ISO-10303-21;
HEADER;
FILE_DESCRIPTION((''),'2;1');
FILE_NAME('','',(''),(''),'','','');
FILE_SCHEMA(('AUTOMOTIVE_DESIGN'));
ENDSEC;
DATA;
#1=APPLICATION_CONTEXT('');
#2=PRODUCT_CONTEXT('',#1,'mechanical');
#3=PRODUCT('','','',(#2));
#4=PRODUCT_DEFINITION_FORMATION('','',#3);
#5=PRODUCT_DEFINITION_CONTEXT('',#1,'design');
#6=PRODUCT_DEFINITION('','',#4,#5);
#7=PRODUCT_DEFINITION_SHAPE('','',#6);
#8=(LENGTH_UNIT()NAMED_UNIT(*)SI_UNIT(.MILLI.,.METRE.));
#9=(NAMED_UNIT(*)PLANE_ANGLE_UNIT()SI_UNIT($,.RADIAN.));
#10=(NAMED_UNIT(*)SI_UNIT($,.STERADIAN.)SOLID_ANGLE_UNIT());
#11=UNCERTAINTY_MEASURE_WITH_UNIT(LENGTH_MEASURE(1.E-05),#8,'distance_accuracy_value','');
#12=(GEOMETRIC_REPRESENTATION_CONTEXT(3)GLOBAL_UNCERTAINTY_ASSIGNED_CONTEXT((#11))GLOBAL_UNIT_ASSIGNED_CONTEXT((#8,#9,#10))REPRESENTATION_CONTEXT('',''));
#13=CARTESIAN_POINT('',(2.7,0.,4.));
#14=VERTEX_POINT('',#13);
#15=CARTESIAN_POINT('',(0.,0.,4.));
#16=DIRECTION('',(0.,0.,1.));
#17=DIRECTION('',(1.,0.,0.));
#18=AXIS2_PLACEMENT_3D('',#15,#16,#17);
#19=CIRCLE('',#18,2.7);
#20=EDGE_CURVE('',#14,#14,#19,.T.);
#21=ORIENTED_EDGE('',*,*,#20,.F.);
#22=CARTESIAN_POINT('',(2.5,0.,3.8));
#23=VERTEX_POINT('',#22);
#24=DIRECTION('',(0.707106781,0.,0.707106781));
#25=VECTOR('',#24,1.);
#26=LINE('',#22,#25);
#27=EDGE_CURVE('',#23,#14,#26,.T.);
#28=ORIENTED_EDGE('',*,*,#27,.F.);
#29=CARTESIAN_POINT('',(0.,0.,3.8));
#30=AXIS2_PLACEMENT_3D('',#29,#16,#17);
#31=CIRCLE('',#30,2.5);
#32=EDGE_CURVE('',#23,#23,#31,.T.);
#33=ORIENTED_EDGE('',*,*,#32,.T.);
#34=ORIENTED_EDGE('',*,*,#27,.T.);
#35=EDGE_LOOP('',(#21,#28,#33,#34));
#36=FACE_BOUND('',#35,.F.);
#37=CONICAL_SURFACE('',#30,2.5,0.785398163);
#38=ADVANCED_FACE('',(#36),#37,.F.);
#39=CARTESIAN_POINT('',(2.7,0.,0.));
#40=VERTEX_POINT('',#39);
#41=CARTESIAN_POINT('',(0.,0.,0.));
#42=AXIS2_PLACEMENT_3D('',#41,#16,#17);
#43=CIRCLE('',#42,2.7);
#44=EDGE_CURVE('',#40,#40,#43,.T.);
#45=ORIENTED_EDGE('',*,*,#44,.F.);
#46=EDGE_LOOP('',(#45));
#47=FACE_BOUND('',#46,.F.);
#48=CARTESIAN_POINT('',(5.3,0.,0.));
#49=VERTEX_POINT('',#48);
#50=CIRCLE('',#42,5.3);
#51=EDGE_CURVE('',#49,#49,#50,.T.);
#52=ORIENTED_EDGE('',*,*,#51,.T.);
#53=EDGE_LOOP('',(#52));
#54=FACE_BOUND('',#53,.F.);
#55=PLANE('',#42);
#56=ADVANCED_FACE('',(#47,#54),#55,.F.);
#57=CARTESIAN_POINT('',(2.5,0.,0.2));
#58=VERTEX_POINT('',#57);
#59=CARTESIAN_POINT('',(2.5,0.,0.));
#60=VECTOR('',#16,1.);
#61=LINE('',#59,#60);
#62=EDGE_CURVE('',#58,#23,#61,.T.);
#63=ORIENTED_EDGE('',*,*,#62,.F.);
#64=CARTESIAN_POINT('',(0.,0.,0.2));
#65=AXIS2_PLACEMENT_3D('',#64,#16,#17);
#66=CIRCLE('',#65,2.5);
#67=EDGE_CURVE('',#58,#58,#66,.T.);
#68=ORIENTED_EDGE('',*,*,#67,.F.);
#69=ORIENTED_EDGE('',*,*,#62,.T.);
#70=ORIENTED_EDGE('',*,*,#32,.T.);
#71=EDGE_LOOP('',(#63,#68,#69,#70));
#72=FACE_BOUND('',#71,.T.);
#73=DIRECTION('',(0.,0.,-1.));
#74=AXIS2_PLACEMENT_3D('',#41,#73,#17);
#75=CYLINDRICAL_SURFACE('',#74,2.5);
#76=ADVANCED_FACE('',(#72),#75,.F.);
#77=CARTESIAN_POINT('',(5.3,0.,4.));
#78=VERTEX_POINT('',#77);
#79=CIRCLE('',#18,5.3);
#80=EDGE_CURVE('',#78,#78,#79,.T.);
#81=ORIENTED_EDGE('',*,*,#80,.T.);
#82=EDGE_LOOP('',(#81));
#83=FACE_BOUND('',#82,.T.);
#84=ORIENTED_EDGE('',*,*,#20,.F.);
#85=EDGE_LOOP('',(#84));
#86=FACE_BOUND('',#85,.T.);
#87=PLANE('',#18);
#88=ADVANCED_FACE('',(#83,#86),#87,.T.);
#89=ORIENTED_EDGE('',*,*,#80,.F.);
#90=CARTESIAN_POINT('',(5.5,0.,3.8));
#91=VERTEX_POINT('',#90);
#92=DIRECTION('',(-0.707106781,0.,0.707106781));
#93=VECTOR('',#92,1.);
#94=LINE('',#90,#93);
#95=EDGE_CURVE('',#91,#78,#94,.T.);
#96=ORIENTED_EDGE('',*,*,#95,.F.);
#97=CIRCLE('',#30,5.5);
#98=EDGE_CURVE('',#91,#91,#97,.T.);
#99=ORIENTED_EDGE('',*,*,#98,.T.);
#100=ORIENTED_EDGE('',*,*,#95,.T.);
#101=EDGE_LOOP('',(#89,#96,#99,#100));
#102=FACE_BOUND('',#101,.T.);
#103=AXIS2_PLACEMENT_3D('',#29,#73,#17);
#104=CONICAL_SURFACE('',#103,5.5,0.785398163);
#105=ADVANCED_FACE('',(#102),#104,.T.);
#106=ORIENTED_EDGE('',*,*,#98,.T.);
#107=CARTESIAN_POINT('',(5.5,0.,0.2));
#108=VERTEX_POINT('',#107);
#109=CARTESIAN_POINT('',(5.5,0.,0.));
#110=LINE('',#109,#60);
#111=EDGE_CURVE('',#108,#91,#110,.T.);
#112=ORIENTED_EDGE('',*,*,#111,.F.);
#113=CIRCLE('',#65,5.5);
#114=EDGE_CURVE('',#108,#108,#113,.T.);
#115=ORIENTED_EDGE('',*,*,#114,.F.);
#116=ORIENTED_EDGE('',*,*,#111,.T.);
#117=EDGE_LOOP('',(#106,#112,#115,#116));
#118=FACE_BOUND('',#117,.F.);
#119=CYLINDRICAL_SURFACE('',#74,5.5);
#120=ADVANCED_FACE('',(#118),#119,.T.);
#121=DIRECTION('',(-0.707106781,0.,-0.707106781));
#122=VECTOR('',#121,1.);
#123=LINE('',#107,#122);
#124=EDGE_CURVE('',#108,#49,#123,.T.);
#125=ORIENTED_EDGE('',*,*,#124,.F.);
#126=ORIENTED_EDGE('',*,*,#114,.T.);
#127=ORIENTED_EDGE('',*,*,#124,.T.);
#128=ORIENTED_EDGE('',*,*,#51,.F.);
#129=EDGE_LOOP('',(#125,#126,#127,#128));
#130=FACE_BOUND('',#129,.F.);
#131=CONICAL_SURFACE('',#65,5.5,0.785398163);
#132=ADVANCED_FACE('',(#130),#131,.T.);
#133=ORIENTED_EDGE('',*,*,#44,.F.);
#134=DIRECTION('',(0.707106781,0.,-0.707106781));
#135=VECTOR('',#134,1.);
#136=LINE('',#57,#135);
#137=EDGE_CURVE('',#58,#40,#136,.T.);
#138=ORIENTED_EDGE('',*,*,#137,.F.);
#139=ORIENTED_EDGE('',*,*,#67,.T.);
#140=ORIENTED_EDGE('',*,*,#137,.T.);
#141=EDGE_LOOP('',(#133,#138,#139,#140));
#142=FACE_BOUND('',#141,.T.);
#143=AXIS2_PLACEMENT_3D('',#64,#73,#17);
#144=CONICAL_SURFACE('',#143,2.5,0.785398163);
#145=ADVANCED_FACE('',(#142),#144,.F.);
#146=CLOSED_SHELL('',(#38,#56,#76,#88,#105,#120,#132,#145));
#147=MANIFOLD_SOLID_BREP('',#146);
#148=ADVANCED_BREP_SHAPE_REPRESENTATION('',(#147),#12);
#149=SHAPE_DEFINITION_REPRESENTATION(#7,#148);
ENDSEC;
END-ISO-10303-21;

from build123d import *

# Parameters (mm, degrees)
SKETCH1_R           = 5.5
SKETCH1_R_2         = 2.5
BOSS_EXTRUDE1_DEPTH = 4
CHAMFER1_SIZE       = 0.2


with BuildPart() as part:
    # Sketch1 → Boss-Extrude1 (new body)
    with BuildSketch(Plane.XY):
        Circle(SKETCH1_R)
        Circle(SKETCH1_R_2, mode=Mode.SUBTRACT)
    extrude(amount=BOSS_EXTRUDE1_DEPTH)

    # Chamfer1
    chamfer1_edges = [part.edges().sort_by_distance(p)[0] for p in [
        (-5.5, 0, 0),
        (-5.5, 0, 4),
        (-2.5, 0, 0),
        (-2.5, 0, 4),
    ]]
    chamfer(chamfer1_edges, length=CHAMFER1_SIZE)


solid = part.part
